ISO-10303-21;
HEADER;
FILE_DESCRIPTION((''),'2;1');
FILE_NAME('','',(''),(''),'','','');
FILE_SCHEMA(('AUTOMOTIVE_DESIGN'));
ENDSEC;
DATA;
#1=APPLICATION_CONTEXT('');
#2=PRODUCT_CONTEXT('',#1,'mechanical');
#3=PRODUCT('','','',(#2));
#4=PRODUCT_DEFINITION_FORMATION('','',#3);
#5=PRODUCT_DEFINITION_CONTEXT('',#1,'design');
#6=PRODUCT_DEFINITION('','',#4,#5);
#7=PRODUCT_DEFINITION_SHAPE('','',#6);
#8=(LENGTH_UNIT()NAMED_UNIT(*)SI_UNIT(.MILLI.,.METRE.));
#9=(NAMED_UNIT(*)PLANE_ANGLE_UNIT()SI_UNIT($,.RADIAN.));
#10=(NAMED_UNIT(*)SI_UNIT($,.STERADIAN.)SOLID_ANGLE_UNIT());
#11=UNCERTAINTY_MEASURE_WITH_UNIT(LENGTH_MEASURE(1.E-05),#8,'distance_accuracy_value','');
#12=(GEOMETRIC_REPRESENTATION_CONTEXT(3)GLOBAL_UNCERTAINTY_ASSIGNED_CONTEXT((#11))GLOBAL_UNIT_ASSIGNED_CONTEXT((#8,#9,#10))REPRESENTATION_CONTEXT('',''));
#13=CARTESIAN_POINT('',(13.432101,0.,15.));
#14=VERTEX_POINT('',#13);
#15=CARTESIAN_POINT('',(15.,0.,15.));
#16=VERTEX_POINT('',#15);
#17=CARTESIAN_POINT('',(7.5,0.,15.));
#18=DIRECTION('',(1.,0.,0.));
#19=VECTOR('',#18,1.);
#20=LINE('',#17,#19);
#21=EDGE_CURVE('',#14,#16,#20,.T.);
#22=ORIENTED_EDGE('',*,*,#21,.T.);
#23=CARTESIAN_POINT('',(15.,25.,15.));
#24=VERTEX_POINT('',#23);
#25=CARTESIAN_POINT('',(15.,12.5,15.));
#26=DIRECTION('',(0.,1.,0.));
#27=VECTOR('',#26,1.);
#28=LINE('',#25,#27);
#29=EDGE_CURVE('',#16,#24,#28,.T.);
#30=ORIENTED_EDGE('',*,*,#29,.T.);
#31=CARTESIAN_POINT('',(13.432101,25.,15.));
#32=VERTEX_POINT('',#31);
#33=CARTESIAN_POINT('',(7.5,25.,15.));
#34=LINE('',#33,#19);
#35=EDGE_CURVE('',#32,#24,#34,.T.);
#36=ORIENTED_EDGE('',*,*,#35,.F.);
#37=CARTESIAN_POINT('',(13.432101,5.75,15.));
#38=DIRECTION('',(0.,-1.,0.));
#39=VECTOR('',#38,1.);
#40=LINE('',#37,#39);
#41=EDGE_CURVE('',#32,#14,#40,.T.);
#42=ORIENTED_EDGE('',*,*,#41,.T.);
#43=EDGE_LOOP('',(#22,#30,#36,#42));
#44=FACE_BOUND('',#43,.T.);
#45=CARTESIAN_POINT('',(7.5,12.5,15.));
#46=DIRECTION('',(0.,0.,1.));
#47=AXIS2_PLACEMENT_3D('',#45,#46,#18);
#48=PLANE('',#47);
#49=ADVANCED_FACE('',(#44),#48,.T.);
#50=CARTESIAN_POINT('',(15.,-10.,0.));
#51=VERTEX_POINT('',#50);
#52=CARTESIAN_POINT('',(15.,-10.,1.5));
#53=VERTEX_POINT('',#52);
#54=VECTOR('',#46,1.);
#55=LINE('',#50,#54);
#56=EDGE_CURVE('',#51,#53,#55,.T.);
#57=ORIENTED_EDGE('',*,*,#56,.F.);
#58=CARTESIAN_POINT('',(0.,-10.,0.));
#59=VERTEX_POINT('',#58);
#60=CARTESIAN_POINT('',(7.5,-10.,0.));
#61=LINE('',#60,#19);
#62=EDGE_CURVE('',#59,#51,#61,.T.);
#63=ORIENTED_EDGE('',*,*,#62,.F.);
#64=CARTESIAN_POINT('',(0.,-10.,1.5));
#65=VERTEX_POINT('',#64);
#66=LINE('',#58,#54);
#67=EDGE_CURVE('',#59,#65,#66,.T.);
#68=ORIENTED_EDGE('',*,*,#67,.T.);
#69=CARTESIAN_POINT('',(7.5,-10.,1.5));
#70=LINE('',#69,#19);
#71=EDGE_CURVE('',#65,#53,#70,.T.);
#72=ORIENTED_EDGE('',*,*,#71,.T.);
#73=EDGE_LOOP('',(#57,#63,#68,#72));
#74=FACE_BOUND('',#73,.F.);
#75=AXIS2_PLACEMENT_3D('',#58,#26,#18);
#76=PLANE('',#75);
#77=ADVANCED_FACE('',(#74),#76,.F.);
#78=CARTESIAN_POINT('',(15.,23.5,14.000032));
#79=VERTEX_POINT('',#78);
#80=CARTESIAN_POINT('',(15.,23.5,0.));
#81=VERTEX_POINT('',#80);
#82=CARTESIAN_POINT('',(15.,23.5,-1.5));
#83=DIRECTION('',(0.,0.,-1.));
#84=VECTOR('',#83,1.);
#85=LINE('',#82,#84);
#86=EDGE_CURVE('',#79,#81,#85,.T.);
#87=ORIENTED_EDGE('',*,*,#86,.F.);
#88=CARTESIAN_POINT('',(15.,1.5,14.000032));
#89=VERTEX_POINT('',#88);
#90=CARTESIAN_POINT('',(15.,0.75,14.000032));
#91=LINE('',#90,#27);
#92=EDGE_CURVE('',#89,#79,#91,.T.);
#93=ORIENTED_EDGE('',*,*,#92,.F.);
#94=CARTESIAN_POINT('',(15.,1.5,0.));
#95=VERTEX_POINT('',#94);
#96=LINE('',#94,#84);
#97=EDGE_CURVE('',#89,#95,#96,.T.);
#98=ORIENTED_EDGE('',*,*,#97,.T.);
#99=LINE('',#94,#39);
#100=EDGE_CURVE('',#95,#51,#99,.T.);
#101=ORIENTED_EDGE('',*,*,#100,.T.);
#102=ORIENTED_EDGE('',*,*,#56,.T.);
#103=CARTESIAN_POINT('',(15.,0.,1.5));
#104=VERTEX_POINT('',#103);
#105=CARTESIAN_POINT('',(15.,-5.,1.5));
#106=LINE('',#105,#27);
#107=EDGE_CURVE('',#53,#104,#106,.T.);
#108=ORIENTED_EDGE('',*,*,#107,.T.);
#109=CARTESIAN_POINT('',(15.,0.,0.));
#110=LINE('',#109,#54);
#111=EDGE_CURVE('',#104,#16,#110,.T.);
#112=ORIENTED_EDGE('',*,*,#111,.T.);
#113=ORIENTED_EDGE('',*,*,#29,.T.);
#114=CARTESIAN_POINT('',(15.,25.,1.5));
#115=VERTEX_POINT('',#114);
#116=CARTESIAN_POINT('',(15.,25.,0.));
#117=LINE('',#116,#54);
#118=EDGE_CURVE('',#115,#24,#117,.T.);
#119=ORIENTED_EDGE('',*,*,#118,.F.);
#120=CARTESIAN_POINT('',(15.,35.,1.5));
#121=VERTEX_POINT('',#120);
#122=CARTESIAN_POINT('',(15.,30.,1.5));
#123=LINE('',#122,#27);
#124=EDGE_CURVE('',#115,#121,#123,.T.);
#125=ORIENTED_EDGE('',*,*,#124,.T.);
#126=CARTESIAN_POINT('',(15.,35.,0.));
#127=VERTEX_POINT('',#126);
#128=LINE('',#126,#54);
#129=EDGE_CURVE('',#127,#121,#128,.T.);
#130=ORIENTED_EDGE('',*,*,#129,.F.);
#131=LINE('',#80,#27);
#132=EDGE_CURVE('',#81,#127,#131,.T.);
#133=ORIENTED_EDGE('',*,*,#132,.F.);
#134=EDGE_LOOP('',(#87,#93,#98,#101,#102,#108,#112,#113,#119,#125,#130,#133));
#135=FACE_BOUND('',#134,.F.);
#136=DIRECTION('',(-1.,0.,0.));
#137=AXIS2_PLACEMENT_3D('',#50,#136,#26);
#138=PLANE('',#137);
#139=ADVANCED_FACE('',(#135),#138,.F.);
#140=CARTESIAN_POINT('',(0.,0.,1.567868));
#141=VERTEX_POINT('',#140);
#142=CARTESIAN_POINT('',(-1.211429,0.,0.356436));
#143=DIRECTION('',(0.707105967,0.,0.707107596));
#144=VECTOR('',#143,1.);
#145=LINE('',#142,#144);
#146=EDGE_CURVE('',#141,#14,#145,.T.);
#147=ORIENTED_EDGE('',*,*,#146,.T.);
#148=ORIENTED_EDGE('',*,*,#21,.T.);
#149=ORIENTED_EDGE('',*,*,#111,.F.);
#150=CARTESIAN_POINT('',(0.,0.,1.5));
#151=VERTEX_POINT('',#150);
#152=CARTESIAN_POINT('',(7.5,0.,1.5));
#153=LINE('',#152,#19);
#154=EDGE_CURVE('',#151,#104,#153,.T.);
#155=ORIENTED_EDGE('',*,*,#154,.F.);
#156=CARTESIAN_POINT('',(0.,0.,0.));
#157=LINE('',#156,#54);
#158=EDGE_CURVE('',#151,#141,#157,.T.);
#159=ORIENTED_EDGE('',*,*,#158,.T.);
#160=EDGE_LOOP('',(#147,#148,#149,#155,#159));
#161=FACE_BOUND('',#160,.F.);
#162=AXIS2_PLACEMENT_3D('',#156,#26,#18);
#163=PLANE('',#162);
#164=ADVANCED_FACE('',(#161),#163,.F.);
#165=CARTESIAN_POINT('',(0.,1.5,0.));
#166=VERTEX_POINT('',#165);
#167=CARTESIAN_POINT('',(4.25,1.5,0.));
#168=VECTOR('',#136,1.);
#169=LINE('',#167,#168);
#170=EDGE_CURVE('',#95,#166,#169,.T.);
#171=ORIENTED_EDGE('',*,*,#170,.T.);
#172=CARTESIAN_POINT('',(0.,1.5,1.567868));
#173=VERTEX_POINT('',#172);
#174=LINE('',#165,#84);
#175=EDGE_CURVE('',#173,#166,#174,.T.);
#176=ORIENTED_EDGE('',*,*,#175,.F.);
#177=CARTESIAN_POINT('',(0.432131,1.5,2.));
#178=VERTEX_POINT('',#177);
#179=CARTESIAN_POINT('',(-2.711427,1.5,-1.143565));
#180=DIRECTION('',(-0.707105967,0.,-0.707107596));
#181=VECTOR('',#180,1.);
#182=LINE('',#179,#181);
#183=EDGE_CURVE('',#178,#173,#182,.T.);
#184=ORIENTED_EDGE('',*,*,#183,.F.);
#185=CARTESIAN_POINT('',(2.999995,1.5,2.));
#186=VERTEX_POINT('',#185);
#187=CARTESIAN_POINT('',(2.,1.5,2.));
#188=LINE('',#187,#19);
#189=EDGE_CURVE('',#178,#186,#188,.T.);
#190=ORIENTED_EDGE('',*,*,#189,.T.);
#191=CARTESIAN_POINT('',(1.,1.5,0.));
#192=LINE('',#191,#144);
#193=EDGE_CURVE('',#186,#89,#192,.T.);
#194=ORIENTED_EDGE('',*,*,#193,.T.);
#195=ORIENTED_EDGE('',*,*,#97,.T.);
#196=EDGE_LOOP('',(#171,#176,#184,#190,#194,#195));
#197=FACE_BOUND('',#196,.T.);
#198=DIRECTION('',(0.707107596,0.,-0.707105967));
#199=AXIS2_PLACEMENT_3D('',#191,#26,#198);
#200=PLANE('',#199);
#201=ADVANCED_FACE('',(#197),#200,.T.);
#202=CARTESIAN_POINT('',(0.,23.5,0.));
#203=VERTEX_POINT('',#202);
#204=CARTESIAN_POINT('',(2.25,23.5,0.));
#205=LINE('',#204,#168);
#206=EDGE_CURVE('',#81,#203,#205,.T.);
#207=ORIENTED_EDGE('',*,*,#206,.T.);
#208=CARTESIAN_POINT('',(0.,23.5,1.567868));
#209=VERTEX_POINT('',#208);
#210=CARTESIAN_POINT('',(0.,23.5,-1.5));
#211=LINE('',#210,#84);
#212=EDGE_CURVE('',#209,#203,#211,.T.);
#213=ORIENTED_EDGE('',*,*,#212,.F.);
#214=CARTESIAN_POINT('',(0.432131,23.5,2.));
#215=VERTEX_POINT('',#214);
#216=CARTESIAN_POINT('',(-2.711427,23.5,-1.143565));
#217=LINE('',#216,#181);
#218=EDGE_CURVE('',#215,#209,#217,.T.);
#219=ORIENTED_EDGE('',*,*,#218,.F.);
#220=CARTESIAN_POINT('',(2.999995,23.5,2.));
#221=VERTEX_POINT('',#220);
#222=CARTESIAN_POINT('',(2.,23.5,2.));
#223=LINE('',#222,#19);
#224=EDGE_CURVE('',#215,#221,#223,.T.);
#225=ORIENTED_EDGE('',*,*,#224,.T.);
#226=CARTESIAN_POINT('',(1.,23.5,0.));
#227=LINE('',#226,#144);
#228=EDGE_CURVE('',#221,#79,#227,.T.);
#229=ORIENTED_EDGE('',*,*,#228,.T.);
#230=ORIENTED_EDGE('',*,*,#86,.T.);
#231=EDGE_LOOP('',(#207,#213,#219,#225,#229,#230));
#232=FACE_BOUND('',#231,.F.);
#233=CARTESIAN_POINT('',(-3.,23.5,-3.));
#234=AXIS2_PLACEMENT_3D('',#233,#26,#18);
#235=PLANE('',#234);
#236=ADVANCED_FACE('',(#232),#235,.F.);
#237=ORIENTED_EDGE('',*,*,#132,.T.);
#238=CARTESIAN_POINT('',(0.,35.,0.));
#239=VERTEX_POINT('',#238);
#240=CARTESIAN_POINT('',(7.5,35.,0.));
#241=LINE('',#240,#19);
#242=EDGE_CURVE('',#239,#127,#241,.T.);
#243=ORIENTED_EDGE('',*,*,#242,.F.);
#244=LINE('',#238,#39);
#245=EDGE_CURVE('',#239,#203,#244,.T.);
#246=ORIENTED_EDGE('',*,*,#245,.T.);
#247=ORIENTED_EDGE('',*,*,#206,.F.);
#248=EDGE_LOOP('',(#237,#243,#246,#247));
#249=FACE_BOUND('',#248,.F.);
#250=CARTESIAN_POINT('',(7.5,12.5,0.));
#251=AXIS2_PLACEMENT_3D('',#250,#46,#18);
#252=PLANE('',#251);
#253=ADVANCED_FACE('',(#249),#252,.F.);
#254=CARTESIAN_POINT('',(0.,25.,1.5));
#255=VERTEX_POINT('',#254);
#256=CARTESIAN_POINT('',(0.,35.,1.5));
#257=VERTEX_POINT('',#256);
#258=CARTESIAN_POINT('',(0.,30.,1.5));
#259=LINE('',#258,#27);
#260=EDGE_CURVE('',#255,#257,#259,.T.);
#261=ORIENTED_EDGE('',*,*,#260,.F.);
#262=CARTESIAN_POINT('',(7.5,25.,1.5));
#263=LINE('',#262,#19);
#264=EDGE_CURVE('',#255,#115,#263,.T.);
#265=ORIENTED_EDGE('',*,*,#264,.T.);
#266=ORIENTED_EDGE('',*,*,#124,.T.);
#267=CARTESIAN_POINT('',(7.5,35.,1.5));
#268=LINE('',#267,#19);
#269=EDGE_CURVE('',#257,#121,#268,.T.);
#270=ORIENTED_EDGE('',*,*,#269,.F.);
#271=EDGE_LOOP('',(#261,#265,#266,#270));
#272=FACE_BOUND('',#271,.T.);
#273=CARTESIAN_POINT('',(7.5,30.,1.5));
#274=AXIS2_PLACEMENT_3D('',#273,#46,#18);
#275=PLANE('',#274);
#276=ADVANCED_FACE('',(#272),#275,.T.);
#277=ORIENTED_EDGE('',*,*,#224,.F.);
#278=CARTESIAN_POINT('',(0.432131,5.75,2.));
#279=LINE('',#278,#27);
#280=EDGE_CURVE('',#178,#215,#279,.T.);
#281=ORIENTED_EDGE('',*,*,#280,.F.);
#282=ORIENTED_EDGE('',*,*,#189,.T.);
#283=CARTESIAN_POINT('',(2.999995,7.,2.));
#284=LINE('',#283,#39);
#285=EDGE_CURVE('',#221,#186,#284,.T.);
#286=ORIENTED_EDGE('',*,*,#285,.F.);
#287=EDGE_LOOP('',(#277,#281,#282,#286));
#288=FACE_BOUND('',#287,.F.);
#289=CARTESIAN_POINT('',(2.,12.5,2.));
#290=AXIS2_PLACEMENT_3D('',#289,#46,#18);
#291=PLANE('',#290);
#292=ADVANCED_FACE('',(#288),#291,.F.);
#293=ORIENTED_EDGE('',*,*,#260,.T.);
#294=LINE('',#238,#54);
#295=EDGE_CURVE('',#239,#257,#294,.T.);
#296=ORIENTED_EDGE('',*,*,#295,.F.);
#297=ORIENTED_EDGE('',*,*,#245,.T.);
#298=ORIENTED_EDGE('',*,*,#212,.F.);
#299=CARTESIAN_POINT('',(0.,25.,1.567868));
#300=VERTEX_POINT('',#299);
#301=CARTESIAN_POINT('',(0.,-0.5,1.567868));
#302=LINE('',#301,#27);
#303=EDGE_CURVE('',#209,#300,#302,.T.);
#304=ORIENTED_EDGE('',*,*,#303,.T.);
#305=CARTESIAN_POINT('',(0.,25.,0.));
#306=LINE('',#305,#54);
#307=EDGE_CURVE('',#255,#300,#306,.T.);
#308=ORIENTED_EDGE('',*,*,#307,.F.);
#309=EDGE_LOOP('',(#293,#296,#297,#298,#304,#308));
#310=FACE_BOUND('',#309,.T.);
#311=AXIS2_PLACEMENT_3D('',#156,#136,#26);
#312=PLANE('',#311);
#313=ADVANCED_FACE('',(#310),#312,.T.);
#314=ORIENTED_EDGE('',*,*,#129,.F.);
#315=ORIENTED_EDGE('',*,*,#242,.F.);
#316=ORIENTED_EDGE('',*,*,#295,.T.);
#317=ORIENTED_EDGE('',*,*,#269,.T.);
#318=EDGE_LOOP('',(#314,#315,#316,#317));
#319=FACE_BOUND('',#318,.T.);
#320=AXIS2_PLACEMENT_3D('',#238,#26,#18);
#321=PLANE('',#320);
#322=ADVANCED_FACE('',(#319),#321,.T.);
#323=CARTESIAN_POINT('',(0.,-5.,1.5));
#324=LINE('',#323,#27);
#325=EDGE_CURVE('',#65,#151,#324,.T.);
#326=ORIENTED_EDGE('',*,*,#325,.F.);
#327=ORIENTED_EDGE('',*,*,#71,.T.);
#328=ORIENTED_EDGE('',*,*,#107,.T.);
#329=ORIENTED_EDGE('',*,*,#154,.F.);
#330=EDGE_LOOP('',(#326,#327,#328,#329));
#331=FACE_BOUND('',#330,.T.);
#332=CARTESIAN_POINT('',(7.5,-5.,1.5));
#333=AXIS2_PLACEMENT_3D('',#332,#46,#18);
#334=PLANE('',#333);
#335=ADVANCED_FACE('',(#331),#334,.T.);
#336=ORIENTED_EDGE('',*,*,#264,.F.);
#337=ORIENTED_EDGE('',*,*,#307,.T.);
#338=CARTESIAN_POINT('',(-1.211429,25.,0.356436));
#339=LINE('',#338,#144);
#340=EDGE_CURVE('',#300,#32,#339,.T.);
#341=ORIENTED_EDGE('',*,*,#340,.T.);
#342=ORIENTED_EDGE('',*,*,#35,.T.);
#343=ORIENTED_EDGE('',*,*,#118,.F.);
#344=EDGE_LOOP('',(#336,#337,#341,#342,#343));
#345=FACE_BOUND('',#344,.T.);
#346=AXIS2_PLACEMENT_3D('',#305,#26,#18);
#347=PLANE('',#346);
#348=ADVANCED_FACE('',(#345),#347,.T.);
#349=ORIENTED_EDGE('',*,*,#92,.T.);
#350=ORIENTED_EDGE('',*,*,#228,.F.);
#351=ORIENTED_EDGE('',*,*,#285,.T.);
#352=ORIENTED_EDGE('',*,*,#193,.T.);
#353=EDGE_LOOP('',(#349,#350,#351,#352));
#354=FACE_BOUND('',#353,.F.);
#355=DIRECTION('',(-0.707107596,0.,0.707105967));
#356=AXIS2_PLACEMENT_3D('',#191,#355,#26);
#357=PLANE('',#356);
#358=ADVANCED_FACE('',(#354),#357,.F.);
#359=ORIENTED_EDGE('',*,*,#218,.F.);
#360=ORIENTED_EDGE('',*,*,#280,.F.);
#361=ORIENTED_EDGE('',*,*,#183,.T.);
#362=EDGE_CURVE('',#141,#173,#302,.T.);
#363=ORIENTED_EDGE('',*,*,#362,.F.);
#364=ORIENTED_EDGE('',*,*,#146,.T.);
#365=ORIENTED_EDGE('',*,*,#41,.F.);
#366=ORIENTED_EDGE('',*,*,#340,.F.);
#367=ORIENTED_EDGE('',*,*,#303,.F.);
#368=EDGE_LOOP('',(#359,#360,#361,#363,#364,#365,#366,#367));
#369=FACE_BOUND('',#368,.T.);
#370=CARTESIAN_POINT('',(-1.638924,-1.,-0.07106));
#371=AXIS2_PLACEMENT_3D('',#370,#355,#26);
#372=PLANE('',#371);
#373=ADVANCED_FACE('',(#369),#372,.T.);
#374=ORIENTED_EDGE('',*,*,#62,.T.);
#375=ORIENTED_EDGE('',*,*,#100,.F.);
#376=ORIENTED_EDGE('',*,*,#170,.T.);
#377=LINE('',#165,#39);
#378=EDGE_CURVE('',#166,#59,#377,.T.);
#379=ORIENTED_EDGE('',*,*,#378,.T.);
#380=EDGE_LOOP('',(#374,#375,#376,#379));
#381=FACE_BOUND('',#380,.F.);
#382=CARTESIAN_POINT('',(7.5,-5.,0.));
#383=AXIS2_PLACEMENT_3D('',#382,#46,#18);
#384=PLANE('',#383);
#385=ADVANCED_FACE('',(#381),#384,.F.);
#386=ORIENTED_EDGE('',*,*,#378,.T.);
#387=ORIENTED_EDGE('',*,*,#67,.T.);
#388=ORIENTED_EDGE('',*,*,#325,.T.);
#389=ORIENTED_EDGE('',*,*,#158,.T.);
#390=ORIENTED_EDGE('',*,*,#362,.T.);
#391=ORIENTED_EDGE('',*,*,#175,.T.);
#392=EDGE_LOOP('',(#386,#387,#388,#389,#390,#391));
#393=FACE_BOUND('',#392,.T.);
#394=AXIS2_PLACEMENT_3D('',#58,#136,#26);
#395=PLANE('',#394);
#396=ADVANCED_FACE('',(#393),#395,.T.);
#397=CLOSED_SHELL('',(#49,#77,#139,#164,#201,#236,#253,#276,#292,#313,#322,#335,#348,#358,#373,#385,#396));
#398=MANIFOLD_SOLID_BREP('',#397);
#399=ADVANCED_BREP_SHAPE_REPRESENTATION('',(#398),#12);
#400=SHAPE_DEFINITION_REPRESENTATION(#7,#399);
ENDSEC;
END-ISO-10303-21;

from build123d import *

# Parameters (mm, degrees)
BOX001002002_W           = 10
BOX001002002_H           = 22
BOX001002002_DEPTH       = 5
BOX001002_W              = 10
BOX001002_H              = 22
BOX001002_DEPTH          = 20
BOX001002_PITCH_ANGLE    = 44.999934
BOX001002001_W           = 10
BOX001002001_H           = 27
BOX001002001_DEPTH       = 22
BOX001002001_PITCH_ANGLE = 44.999934
BOX_W                    = 15
BOX_H                    = 25
BOX_DEPTH                = 15
BOX001001_W              = 15
BOX001001_H              = 10
BOX001001_DEPTH          = 1.5
BOX001_W                 = 15
BOX001_H                 = 10
BOX001_DEPTH             = 1.5


with BuildPart() as box005:
    # Box001002002 → Box001002002 (new body)
    with BuildSketch(Plane(origin=(-3, 1.5, -3), x_dir=(1, 0, 0), z_dir=(0, 0, 1))):
        with Locations((5, 11)):
            Rectangle(BOX001002002_W, BOX001002002_H)
    extrude(amount=BOX001002002_DEPTH)


with BuildPart() as box003:
    # Box001002 → Box001002 (new body)
    with BuildSketch(Plane.XY):
        with Locations((5, 11)):
            Rectangle(BOX001002_W, BOX001002_H)
    extrude(amount=BOX001002_DEPTH)


with BuildPart() as box003_1:
    # Box001002 pitch: moved
    add(box003.part.rotate(Axis((0, 0, 0), (0, 1, 0)), BOX001002_PITCH_ANGLE))


with BuildPart() as box003_2:
    # Box001002 placement: moved
    add(box003_1.part.moved(Location((1, 1.5, 0))))


with BuildPart() as fusion:
    # Box001002001 → Box001002001 (new body)
    with BuildSketch(Plane.XY):
        with Locations((5, 13.5)):
            Rectangle(BOX001002001_W, BOX001002001_H)
    extrude(amount=BOX001002001_DEPTH)


with BuildPart() as fusion_1:
    # Box001002001 pitch: moved
    add(fusion.part.rotate(Axis((0, 0, 0), (0, 1, 0)), BOX001002001_PITCH_ANGLE))


with BuildPart() as fusion_2:
    # Box001002001 placement: moved
    add(fusion_1.part.moved(Location((-8.71, -1, 7))))

    # Fusion: union Box005, Box003
    add(box005.part)
    add(box003_2.part)


with BuildPart() as cut:
    # Box → Box (new body)
    with BuildSketch(Plane.XY):
        with Locations((7.5, 12.5)):
            Rectangle(BOX_W, BOX_H)
    extrude(amount=BOX_DEPTH)

    # Cut: cut Fusion
    add(fusion_2.part, mode=Mode.SUBTRACT)


with BuildPart() as box002:
    # Box001001 → Box001001 (new body)
    with BuildSketch(Plane(origin=(0, -10, 0), x_dir=(1, 0, 0), z_dir=(0, 0, 1))):
        with Locations((7.5, 5)):
            Rectangle(BOX001001_W, BOX001001_H)
    extrude(amount=BOX001001_DEPTH)


with BuildPart() as mirrormount:
    # Box001 → Box001 (new body)
    with BuildSketch(Plane(origin=(0, 25, 0), x_dir=(1, 0, 0), z_dir=(0, 0, 1))):
        with Locations((7.5, 5)):
            Rectangle(BOX001_W, BOX001_H)
    extrude(amount=BOX001_DEPTH)

    # Fusion001: union Cut, Box002
    add(cut.part)
    add(box002.part)


solid = mirrormount.part
